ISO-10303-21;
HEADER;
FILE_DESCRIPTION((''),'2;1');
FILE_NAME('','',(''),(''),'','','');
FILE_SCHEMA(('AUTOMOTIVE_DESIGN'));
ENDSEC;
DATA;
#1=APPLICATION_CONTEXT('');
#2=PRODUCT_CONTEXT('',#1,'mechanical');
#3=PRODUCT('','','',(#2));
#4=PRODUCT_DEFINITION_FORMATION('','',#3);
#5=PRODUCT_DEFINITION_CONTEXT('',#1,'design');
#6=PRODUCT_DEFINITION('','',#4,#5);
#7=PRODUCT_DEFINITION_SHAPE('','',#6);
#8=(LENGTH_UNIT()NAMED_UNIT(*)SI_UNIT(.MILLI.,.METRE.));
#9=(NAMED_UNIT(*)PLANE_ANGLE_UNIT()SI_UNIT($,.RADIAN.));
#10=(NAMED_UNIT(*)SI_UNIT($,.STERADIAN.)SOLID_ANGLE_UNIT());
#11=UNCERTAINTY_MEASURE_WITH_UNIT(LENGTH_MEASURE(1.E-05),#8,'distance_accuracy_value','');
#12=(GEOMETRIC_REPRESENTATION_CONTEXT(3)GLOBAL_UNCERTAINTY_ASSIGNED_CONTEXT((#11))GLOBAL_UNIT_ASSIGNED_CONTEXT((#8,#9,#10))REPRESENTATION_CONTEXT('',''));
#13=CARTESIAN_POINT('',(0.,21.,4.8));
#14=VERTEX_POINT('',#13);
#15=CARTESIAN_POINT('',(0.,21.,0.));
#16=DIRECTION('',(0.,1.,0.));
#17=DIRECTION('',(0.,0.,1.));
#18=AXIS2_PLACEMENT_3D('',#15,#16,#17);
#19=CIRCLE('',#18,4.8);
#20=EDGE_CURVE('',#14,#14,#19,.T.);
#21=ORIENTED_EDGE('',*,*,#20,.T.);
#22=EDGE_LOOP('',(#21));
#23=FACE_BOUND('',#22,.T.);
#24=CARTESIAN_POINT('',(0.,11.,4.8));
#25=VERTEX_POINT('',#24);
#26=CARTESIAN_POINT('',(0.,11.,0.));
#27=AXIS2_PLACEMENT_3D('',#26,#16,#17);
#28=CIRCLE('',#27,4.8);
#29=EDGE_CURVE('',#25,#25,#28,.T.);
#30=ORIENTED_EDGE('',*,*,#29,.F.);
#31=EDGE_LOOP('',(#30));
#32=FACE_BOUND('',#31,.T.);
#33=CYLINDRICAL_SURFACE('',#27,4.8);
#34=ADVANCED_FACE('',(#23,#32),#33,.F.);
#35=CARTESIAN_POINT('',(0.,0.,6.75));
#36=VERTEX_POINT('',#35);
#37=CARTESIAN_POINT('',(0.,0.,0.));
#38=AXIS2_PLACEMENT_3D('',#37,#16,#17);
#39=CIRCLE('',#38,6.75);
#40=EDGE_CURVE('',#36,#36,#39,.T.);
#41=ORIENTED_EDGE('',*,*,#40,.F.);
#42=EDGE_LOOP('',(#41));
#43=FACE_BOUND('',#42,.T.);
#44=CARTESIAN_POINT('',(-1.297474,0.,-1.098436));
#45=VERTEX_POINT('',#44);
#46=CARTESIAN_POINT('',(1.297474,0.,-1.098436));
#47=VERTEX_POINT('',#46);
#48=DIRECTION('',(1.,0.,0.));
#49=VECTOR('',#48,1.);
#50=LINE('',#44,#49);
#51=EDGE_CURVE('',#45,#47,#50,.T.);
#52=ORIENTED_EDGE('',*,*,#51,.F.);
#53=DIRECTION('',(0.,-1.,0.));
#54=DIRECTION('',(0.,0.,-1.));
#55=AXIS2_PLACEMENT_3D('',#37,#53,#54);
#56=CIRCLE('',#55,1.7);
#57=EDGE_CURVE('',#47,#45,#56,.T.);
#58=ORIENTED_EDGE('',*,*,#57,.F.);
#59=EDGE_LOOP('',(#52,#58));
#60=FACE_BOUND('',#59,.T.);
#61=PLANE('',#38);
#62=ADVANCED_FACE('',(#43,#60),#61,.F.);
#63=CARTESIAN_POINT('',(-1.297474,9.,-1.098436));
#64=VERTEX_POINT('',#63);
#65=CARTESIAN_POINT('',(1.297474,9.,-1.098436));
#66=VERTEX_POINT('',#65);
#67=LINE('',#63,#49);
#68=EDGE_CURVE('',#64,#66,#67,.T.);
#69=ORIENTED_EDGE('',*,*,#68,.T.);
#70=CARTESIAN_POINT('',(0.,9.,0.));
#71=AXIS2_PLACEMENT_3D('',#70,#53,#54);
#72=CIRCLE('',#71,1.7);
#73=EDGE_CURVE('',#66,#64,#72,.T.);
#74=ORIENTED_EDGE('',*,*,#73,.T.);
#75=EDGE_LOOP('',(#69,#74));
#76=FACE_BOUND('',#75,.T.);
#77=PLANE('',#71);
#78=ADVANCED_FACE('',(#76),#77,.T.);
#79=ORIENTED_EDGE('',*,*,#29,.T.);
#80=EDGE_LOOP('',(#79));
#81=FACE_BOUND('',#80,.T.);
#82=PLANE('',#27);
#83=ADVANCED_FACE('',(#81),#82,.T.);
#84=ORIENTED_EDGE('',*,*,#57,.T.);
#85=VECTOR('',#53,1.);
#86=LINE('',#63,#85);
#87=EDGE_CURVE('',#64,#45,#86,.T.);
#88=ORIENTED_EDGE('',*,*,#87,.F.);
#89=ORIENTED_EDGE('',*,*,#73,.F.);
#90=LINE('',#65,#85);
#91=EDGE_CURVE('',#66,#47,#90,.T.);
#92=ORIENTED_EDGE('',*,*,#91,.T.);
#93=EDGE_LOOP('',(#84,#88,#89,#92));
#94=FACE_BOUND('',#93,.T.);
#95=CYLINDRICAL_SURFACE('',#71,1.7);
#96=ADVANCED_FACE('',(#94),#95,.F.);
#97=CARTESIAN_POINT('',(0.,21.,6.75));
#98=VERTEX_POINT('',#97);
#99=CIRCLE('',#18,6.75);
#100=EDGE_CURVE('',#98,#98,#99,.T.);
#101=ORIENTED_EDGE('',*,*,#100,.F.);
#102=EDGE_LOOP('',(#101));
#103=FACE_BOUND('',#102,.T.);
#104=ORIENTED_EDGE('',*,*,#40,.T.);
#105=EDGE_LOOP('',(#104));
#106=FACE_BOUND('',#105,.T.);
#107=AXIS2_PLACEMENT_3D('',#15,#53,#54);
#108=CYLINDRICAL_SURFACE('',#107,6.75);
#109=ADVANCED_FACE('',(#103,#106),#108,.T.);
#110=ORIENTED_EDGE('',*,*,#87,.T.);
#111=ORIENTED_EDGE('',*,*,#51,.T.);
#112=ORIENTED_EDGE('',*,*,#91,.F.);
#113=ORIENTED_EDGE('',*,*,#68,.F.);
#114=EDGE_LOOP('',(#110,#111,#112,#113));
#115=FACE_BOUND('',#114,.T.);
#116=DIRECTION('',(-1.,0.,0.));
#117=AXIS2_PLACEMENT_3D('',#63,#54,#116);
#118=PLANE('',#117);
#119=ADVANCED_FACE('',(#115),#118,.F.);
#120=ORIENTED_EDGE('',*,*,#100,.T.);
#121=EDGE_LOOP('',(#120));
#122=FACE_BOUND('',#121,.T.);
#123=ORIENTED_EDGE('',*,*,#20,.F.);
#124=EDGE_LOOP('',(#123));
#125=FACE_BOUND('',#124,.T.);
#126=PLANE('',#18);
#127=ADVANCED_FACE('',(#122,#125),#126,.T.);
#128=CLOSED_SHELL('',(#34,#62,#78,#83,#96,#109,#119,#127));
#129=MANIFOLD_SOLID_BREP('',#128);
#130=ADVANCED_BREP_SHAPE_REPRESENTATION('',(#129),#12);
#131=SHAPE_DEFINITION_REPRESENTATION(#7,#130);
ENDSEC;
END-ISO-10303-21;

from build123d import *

# Parameters (mm, degrees)
SKETCH1_R           = 6.75
BOSS_EXTRUDE1_DEPTH = 21
SKETCH2_R           = 4.8
CUT_EXTRUDE1_DEPTH  = 10
CUT_EXTRUDE2_DEPTH  = 9


with BuildPart() as part:
    # Sketch1 → Boss-Extrude1 (new body)
    with BuildSketch(Plane(origin=(0, 0, 0), x_dir=(1, 0, 0), z_dir=(0, 1, 0))):
        Circle(SKETCH1_R)
    extrude(amount=BOSS_EXTRUDE1_DEPTH)

    # Sketch2 → Cut-Extrude1 (cut)
    with BuildSketch(Plane(origin=(0, 21, 0), x_dir=(1, 0, 0), z_dir=(0, 1, 0))):
        Circle(SKETCH2_R)
    extrude(amount=-CUT_EXTRUDE1_DEPTH, mode=Mode.SUBTRACT)

    # Sketch3 → Cut-Extrude2 (cut)
    with BuildSketch(Plane.XZ):
        with BuildLine():
            Line((-1.29747386, -1.098435971), (1.29747386, -1.098435971))
            ThreePointArc((1.29747386, -1.098435971), (0, 1.7), (-1.29747386, -1.098435971))
        make_face()
    extrude(amount=-CUT_EXTRUDE2_DEPTH, mode=Mode.SUBTRACT)


solid = part.part
